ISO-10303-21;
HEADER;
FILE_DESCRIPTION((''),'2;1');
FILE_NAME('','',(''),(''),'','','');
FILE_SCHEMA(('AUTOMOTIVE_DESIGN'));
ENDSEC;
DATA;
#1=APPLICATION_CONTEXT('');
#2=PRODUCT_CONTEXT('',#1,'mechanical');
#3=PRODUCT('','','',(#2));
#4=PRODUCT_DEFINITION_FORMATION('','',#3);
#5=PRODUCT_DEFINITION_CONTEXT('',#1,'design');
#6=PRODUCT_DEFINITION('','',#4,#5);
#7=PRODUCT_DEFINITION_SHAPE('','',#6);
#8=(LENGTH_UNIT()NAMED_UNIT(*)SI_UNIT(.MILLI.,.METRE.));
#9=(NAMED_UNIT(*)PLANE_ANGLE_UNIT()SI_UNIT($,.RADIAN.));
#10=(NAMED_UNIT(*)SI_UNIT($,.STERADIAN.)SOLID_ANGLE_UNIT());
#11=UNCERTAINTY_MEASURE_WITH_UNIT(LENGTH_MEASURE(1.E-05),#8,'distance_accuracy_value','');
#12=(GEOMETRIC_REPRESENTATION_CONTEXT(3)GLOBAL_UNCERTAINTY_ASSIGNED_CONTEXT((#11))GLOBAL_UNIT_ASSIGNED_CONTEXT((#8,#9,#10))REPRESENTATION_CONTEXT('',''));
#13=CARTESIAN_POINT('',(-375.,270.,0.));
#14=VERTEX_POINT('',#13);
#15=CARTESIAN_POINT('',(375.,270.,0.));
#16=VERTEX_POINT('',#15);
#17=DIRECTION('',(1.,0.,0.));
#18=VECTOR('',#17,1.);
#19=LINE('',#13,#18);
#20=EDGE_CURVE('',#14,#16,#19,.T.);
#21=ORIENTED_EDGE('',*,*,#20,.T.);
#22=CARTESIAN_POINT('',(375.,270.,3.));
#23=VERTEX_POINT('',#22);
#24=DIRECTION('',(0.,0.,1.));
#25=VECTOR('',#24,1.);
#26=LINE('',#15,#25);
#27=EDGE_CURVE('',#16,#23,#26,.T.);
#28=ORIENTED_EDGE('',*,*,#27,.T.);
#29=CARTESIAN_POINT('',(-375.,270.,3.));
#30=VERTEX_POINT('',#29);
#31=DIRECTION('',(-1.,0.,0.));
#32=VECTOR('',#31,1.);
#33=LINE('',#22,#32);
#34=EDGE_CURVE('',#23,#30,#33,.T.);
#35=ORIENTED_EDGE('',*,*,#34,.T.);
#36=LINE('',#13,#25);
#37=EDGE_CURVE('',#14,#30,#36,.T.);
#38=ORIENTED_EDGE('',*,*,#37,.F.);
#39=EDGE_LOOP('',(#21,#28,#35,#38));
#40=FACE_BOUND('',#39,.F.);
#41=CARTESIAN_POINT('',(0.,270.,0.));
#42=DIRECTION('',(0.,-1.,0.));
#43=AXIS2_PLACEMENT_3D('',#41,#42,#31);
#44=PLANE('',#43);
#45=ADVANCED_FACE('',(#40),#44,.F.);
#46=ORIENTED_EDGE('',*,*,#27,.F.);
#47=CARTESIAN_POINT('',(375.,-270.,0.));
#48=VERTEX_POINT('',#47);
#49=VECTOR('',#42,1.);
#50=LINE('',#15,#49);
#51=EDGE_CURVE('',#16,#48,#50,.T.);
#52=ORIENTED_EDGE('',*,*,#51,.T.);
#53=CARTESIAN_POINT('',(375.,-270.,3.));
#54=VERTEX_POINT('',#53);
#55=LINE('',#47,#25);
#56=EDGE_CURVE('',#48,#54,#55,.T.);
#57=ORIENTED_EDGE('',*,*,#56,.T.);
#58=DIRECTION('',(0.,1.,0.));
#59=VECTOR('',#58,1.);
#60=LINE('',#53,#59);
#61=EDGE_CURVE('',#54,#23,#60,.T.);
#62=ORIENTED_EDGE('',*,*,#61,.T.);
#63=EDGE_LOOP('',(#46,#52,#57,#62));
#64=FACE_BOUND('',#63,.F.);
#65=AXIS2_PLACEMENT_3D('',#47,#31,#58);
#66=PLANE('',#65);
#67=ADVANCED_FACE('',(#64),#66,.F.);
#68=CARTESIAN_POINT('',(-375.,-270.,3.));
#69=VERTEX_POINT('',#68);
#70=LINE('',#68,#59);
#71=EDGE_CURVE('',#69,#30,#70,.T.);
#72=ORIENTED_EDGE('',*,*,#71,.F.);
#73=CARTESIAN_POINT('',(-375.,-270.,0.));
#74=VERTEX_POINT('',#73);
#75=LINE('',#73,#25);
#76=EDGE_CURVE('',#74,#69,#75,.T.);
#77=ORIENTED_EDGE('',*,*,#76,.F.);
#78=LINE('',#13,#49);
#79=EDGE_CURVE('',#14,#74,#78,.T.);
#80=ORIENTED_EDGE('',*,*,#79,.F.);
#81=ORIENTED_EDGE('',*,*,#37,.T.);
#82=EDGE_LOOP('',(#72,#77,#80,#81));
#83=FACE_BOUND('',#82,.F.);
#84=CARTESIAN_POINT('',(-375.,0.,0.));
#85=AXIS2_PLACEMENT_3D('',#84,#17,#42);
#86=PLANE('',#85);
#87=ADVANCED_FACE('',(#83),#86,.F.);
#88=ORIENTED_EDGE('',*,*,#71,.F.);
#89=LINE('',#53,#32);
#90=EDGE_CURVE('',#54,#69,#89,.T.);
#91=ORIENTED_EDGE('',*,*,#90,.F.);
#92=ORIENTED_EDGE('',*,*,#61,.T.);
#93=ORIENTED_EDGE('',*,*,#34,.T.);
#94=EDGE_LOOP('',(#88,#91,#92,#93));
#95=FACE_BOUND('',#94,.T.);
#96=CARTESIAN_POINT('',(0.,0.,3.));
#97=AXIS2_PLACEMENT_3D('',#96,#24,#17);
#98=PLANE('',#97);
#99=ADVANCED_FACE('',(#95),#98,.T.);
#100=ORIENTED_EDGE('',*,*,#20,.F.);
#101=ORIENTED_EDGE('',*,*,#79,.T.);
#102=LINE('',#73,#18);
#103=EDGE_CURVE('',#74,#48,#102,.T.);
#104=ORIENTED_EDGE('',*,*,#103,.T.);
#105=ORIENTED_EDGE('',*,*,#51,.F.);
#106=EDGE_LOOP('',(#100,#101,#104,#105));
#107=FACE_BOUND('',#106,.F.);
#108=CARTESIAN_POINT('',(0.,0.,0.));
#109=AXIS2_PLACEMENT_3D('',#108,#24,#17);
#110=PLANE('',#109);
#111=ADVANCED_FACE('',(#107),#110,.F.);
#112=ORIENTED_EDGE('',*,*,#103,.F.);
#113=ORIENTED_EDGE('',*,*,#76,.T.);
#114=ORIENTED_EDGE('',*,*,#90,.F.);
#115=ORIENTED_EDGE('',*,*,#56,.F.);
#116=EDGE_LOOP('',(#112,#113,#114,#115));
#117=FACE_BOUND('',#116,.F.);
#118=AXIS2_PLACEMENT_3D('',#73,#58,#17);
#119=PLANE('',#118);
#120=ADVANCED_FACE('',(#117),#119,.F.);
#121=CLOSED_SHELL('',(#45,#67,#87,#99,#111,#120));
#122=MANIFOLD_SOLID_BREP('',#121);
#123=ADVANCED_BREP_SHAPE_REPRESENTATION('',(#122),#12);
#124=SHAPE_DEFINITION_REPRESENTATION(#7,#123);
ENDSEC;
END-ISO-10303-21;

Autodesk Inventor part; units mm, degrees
ref_plane "YZ Plane" through (0, 0, 0) normal (1, 0, 0) x (0, 1, 0)
ref_plane "XZ Plane" through (0, 0, 0) normal (0, 1, 0) x (-1, 0, 0)
sketch "Sketch1" plane through (0, 0, 0) normal (0, 0, 1) x (1, 0, 0)
  line L0 (-375, -270) -> (375, -270)
  line L1 (375, -270) -> (375, 270)
  line L2 (375, 270) -> (-375, 270)
  line L3 (-375, 270) -> (-375, -270)
  line L4 (-525, 0) -> (525, 0) projected
  line L5 (0, -378) -> (0, 378) projected
  dimension "d0" = 750
  dimension "d1" = 540
extrude "Extrusion1" add sketch "Sketch1" along normal blind 3
ref_plane "Work Plane2" through (0, 0, 3) normal (0, 0, 1) x (1, 0, 0)
sketch "Sketch3" plane through (0, 0, 3) normal (0, 0, 1) x (1, 0, 0)
  line L0 (-375, 375) -> (375, 375) construction
  line L1 (375, 375) -> (375, -375) construction
  line L2 (375, -375) -> (-375, -375) construction
  line L3 (-375, -375) -> (-375, 375) construction
  line L4 (-375, 270) -> (-375, 0) projected
  line L5 (375, -270) -> (375, 270) projected
  line L6 (375, 270) -> (-375, 270) projected
  point P0 (0, 0)
  dimension "d28" = 0
  dimension "d29" = 750
  dimension "d30" = 750
  dimension "d35" = 540
  dimension "d38" = 750
  dimension "d39" = 105
decal "Decal1"
equation "\"d28\" = -0.5 * d30 + 0.5 * d29"
equation "\"d30\" = d29"
equation "\"d39\" = -0.5 * d35 + 0.5 * d38"
properties part number "plate_side_with_logo" material "Polystyrene"
